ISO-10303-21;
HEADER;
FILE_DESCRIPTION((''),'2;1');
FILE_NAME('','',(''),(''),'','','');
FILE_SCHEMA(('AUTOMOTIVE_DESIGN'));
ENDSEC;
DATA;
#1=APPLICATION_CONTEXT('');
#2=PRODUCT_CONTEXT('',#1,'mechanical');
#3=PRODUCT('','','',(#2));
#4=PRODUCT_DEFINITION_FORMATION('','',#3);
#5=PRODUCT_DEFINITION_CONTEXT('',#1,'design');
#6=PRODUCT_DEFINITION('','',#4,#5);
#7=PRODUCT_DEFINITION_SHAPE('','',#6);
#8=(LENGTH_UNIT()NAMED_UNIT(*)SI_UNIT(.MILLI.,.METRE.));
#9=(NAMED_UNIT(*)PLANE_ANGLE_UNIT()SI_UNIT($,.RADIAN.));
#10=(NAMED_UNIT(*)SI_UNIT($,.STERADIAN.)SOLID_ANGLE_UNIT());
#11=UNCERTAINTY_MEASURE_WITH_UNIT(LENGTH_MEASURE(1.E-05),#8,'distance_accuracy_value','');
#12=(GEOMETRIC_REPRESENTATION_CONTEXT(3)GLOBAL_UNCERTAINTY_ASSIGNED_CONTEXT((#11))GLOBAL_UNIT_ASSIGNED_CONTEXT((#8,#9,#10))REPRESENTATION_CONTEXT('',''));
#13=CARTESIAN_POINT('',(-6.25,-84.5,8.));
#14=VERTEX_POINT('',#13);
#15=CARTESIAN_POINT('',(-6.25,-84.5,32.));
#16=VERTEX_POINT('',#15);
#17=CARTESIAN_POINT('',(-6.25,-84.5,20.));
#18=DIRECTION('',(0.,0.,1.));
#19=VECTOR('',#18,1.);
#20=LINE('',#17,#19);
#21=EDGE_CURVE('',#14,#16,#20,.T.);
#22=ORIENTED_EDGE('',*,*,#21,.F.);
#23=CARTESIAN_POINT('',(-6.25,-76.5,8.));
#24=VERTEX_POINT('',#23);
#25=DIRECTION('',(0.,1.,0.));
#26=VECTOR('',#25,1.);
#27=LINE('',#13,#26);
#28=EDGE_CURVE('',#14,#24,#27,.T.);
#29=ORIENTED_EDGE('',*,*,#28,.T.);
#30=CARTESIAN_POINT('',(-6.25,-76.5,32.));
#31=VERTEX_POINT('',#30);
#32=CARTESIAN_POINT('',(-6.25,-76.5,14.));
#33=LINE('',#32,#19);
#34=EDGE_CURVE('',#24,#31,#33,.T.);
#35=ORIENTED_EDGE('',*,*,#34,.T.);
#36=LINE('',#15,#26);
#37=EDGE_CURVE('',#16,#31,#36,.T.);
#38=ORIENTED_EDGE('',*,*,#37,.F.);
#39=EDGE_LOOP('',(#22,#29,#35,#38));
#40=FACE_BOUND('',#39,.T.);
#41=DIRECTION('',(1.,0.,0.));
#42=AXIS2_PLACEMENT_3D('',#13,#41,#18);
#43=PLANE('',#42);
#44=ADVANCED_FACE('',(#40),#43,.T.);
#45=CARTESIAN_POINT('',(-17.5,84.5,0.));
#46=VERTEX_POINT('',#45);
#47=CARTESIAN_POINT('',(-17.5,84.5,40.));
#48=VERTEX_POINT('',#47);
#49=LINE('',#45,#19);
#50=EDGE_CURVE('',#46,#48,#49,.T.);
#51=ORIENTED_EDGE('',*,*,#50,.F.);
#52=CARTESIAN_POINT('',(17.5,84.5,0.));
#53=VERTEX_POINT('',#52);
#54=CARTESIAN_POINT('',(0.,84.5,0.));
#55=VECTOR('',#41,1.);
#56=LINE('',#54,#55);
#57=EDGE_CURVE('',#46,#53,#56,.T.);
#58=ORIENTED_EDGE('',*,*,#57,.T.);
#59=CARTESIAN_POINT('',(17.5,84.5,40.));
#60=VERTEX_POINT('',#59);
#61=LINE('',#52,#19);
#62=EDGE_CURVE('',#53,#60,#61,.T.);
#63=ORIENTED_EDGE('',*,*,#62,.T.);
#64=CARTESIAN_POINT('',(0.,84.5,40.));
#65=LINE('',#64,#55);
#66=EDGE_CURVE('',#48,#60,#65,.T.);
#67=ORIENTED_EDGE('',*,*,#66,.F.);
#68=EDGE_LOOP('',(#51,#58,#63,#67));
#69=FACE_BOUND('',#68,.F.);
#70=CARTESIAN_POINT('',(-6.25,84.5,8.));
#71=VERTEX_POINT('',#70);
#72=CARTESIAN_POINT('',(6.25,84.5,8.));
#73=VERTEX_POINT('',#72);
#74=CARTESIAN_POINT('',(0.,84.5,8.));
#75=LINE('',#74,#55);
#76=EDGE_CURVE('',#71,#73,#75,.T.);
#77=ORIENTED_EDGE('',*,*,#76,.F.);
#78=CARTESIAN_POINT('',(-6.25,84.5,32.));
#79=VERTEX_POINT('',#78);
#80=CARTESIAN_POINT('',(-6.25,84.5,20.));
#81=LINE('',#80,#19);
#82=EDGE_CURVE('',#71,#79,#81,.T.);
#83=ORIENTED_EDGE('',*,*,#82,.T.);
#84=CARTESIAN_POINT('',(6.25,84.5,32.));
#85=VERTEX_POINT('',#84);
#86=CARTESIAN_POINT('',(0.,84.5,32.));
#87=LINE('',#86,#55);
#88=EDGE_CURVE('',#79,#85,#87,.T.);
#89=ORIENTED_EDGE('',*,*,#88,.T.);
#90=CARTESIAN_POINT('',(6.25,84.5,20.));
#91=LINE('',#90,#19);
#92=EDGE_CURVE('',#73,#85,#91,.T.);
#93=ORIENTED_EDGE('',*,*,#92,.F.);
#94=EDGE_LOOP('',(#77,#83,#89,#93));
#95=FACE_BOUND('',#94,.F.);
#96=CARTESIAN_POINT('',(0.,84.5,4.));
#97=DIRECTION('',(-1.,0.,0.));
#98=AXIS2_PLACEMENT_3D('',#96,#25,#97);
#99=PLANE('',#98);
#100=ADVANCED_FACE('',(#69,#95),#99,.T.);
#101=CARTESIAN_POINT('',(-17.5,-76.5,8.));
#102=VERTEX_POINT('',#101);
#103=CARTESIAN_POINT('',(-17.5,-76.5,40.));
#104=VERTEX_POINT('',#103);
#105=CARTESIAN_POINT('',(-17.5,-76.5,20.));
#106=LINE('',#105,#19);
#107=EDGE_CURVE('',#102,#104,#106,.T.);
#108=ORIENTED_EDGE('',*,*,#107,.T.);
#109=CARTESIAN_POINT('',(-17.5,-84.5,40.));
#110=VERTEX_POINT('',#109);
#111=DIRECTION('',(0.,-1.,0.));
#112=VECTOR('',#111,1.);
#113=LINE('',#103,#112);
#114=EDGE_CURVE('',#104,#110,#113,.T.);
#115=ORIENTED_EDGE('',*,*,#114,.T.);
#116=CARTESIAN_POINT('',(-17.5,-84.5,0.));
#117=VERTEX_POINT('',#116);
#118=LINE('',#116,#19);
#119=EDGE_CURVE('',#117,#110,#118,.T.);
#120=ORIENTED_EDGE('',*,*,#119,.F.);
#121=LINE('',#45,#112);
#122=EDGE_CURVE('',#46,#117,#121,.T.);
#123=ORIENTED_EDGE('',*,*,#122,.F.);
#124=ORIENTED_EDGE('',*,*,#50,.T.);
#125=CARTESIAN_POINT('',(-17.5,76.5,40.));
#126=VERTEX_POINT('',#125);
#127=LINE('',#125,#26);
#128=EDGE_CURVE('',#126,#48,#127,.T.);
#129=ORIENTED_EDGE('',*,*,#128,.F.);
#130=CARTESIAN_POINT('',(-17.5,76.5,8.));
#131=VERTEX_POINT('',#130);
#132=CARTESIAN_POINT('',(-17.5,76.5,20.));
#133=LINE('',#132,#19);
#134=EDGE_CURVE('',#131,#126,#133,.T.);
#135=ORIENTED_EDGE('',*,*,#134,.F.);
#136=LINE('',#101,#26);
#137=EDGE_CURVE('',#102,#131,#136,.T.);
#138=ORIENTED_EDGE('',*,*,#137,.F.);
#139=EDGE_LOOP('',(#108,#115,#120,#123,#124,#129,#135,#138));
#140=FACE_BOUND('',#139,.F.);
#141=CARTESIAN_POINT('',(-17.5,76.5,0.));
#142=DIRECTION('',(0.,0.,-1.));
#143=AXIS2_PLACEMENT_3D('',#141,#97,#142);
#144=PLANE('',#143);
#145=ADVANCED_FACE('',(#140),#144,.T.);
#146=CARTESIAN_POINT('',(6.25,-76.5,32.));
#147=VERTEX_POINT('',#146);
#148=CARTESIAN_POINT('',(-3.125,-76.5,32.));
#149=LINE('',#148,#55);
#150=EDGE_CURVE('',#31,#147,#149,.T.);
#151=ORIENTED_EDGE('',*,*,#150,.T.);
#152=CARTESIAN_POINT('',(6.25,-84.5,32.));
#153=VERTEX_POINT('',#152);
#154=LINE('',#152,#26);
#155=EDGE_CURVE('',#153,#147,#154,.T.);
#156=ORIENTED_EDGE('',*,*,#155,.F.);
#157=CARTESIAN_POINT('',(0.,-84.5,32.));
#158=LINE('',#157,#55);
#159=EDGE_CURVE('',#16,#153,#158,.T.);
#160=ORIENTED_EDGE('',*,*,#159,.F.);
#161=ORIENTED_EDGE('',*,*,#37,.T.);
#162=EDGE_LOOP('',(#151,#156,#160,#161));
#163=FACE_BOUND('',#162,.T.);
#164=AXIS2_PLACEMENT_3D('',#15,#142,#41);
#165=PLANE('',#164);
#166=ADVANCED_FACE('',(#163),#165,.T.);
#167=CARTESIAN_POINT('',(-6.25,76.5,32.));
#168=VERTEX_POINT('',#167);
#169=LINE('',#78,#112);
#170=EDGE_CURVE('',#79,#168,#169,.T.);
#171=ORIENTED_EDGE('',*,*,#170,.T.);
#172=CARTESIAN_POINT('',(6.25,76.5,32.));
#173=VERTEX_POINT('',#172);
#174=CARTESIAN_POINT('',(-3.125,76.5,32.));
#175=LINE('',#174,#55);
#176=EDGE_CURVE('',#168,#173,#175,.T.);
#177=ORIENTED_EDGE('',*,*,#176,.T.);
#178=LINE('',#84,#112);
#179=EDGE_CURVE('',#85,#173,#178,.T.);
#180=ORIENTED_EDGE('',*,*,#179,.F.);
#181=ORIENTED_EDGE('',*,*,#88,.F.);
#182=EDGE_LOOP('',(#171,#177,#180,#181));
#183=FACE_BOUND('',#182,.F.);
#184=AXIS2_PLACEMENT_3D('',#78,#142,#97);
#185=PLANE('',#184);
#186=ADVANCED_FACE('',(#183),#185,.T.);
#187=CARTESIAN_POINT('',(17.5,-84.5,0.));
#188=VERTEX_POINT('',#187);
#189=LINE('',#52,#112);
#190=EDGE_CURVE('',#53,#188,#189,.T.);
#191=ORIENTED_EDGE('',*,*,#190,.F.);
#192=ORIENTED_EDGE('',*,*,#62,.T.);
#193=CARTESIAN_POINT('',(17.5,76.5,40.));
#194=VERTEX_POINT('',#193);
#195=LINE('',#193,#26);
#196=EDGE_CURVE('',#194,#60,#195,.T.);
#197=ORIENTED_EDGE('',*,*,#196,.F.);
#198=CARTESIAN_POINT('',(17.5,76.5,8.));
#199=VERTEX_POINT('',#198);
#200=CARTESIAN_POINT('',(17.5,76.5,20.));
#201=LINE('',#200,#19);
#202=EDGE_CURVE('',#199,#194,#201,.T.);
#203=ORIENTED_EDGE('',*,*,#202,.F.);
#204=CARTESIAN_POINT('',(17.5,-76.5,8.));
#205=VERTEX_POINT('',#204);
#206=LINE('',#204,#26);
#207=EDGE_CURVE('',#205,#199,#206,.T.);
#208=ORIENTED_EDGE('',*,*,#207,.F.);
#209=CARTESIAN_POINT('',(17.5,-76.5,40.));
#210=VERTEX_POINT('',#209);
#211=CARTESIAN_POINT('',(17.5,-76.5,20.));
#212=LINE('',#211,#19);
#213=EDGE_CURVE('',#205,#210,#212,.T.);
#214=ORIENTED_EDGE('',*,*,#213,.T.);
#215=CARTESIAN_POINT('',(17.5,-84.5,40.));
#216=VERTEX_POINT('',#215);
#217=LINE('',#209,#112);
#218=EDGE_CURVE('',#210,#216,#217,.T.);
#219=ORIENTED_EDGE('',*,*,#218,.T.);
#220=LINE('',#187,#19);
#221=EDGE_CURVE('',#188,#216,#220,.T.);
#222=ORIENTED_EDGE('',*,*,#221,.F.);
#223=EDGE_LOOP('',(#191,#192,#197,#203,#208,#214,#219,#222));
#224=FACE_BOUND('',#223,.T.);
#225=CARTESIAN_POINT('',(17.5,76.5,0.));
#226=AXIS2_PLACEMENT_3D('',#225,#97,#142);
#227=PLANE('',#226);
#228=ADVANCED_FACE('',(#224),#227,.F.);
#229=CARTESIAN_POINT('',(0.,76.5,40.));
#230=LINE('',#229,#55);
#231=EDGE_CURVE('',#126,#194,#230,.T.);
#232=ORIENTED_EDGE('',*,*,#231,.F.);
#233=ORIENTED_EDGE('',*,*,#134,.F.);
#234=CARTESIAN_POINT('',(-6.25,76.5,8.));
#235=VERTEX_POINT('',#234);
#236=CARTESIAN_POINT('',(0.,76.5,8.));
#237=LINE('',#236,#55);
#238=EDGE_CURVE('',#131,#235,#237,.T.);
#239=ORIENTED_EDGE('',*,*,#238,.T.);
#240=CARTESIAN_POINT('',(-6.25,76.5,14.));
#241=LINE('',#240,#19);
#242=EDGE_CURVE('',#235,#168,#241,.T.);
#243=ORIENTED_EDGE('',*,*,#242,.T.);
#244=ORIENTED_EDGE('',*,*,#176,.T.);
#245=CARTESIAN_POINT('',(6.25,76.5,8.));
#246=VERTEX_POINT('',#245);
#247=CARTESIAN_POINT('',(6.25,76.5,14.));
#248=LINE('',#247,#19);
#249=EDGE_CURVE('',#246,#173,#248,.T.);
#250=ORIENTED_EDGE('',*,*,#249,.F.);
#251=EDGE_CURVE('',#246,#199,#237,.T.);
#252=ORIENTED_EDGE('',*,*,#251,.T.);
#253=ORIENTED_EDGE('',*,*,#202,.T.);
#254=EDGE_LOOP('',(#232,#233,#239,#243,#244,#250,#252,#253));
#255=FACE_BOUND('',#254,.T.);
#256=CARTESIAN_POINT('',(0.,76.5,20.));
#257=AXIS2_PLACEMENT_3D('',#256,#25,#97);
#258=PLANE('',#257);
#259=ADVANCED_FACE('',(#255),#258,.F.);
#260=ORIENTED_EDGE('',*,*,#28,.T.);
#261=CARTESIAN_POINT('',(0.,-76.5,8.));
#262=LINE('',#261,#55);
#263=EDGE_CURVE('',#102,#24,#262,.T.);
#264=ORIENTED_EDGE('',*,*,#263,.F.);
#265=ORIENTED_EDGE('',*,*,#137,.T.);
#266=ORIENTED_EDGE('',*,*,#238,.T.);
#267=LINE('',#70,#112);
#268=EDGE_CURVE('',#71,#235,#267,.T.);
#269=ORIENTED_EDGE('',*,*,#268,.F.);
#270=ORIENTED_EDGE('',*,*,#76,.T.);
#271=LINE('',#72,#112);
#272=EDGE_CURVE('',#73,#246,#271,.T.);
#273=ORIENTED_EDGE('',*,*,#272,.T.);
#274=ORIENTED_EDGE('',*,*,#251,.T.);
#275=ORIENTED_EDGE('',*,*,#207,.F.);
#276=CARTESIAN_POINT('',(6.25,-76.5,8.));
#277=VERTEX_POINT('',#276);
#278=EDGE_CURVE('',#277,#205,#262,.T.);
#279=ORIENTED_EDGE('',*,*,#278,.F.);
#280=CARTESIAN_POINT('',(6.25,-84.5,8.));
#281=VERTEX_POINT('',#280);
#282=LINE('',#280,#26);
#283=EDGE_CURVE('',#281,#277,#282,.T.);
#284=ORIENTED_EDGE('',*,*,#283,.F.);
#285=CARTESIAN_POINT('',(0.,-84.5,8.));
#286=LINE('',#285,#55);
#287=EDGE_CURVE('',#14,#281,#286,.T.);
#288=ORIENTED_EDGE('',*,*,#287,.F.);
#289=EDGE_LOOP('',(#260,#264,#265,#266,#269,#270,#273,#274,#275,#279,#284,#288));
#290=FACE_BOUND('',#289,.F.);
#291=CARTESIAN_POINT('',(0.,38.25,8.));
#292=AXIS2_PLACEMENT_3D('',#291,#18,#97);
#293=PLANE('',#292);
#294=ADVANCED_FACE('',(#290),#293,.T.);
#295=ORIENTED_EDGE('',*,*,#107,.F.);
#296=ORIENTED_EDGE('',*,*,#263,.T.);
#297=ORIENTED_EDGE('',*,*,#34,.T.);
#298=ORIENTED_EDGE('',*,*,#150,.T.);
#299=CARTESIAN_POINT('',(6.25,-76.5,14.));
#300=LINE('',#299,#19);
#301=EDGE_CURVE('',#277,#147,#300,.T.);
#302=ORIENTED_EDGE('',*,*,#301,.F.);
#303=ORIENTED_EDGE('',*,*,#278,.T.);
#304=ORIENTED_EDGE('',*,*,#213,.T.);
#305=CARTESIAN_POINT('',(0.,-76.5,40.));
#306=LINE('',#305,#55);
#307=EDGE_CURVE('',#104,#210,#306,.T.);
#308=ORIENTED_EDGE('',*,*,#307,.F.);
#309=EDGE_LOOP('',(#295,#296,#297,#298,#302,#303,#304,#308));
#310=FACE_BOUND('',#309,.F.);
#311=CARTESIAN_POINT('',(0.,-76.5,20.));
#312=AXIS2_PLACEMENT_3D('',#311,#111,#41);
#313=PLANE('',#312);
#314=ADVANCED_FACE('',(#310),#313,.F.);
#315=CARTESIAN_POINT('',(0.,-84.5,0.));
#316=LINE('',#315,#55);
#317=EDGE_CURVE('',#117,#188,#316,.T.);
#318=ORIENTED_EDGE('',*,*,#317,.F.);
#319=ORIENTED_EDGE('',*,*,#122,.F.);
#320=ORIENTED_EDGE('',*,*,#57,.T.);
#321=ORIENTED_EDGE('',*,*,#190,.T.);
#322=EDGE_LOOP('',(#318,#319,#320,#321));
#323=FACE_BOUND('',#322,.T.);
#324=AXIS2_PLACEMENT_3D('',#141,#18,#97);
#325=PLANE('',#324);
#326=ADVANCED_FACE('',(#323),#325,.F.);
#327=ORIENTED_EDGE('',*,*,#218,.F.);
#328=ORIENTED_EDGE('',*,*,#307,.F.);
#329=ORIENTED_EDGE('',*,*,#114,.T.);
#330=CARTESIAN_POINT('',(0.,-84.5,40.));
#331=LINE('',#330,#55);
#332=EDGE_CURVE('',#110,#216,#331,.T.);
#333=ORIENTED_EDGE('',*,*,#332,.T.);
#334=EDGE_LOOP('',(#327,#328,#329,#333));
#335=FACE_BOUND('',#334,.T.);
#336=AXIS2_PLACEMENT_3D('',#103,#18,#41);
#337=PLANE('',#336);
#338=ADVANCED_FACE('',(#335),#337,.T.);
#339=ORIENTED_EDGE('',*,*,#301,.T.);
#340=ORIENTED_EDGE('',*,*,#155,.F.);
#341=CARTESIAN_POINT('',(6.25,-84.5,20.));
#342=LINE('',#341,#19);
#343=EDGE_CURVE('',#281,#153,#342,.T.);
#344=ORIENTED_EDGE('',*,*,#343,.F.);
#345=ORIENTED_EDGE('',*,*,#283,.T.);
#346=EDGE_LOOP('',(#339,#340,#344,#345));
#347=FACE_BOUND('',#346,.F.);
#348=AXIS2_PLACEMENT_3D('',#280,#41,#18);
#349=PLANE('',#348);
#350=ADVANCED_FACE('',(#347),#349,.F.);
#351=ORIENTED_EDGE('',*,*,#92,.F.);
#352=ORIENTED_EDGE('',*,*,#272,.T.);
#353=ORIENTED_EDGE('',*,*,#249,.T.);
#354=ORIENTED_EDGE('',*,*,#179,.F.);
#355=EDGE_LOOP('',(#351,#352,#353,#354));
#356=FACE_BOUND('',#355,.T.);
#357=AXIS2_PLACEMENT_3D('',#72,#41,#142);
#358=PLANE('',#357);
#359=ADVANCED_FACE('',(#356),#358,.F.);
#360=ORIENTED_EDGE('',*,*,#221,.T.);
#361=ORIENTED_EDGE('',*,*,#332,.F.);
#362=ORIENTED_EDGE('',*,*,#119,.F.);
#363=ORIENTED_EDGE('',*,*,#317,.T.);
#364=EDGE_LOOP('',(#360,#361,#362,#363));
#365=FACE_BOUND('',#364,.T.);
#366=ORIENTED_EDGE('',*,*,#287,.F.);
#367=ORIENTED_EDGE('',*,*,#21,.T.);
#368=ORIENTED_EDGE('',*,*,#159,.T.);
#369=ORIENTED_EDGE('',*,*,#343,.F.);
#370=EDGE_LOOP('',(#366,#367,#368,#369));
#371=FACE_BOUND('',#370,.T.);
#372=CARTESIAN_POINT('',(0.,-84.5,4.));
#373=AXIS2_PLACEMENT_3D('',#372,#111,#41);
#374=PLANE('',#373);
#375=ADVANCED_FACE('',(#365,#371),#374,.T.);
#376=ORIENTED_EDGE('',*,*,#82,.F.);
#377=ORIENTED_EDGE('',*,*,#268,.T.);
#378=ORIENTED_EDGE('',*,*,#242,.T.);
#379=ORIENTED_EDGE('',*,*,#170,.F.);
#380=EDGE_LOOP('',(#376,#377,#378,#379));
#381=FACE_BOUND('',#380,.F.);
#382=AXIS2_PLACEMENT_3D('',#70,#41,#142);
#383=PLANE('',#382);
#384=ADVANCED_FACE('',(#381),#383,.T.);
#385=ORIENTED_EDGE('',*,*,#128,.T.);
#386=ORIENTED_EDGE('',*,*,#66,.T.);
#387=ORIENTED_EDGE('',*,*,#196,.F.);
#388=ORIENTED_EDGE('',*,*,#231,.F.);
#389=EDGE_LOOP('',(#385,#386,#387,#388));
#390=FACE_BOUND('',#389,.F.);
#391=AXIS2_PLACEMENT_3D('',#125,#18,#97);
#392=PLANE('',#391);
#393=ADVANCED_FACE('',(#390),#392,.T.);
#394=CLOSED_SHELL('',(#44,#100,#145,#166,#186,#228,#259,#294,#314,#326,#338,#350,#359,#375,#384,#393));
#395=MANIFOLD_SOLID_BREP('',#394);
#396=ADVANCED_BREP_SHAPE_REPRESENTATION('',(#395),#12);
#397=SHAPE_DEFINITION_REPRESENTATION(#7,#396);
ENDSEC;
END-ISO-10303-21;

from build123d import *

# Parameters (mm, degrees)
F0_W      = 35
F0_H      = 76.5
F1_DEPTH  = 8
F1_FACE_W = 35
F1_FACE_H = 8
F2_W      = 35
F2_H      = 40
F3_DEPTH  = 8
F4_W      = 12.5
F4_H      = 24
F5_DEPTH  = 84.501


with BuildPart() as f1:
    # F0 (on Top) → F1 (new body)
    with BuildSketch(Plane.XY):
        with Locations((0, -38.25)):
            Rectangle(F0_W, F0_H)
    extrude(amount=F1_DEPTH)

    # F1_face (on face) + F2 (on face) → F3 (join)
    with BuildSketch(Plane(origin=(0, -76.5, 4), x_dir=(1, 0, 0), z_dir=(0, -1, 0))):
        Rectangle(F1_FACE_W, F1_FACE_H)
    with BuildSketch(Plane.XZ.offset(76.5)):
        with Locations((0, 20)):
            Rectangle(F2_W, F2_H)
    extrude(amount=F3_DEPTH)

    # F4 (on face) → F5 (cut, through all)
    with BuildSketch(Plane.XZ.offset(84.5)):
        with Locations((0, 20)):
            Rectangle(F4_W, F4_H)
    extrude(amount=-F5_DEPTH, mode=Mode.SUBTRACT)

    # F6: F1 across face


with BuildPart() as f1_1:
    add(f1.part)
    add(f1.part.mirror(Plane(origin=(0, 0, 4), x_dir=(-1, 0, 0), z_dir=(0, 1, 0))))


solid = f1_1.part
